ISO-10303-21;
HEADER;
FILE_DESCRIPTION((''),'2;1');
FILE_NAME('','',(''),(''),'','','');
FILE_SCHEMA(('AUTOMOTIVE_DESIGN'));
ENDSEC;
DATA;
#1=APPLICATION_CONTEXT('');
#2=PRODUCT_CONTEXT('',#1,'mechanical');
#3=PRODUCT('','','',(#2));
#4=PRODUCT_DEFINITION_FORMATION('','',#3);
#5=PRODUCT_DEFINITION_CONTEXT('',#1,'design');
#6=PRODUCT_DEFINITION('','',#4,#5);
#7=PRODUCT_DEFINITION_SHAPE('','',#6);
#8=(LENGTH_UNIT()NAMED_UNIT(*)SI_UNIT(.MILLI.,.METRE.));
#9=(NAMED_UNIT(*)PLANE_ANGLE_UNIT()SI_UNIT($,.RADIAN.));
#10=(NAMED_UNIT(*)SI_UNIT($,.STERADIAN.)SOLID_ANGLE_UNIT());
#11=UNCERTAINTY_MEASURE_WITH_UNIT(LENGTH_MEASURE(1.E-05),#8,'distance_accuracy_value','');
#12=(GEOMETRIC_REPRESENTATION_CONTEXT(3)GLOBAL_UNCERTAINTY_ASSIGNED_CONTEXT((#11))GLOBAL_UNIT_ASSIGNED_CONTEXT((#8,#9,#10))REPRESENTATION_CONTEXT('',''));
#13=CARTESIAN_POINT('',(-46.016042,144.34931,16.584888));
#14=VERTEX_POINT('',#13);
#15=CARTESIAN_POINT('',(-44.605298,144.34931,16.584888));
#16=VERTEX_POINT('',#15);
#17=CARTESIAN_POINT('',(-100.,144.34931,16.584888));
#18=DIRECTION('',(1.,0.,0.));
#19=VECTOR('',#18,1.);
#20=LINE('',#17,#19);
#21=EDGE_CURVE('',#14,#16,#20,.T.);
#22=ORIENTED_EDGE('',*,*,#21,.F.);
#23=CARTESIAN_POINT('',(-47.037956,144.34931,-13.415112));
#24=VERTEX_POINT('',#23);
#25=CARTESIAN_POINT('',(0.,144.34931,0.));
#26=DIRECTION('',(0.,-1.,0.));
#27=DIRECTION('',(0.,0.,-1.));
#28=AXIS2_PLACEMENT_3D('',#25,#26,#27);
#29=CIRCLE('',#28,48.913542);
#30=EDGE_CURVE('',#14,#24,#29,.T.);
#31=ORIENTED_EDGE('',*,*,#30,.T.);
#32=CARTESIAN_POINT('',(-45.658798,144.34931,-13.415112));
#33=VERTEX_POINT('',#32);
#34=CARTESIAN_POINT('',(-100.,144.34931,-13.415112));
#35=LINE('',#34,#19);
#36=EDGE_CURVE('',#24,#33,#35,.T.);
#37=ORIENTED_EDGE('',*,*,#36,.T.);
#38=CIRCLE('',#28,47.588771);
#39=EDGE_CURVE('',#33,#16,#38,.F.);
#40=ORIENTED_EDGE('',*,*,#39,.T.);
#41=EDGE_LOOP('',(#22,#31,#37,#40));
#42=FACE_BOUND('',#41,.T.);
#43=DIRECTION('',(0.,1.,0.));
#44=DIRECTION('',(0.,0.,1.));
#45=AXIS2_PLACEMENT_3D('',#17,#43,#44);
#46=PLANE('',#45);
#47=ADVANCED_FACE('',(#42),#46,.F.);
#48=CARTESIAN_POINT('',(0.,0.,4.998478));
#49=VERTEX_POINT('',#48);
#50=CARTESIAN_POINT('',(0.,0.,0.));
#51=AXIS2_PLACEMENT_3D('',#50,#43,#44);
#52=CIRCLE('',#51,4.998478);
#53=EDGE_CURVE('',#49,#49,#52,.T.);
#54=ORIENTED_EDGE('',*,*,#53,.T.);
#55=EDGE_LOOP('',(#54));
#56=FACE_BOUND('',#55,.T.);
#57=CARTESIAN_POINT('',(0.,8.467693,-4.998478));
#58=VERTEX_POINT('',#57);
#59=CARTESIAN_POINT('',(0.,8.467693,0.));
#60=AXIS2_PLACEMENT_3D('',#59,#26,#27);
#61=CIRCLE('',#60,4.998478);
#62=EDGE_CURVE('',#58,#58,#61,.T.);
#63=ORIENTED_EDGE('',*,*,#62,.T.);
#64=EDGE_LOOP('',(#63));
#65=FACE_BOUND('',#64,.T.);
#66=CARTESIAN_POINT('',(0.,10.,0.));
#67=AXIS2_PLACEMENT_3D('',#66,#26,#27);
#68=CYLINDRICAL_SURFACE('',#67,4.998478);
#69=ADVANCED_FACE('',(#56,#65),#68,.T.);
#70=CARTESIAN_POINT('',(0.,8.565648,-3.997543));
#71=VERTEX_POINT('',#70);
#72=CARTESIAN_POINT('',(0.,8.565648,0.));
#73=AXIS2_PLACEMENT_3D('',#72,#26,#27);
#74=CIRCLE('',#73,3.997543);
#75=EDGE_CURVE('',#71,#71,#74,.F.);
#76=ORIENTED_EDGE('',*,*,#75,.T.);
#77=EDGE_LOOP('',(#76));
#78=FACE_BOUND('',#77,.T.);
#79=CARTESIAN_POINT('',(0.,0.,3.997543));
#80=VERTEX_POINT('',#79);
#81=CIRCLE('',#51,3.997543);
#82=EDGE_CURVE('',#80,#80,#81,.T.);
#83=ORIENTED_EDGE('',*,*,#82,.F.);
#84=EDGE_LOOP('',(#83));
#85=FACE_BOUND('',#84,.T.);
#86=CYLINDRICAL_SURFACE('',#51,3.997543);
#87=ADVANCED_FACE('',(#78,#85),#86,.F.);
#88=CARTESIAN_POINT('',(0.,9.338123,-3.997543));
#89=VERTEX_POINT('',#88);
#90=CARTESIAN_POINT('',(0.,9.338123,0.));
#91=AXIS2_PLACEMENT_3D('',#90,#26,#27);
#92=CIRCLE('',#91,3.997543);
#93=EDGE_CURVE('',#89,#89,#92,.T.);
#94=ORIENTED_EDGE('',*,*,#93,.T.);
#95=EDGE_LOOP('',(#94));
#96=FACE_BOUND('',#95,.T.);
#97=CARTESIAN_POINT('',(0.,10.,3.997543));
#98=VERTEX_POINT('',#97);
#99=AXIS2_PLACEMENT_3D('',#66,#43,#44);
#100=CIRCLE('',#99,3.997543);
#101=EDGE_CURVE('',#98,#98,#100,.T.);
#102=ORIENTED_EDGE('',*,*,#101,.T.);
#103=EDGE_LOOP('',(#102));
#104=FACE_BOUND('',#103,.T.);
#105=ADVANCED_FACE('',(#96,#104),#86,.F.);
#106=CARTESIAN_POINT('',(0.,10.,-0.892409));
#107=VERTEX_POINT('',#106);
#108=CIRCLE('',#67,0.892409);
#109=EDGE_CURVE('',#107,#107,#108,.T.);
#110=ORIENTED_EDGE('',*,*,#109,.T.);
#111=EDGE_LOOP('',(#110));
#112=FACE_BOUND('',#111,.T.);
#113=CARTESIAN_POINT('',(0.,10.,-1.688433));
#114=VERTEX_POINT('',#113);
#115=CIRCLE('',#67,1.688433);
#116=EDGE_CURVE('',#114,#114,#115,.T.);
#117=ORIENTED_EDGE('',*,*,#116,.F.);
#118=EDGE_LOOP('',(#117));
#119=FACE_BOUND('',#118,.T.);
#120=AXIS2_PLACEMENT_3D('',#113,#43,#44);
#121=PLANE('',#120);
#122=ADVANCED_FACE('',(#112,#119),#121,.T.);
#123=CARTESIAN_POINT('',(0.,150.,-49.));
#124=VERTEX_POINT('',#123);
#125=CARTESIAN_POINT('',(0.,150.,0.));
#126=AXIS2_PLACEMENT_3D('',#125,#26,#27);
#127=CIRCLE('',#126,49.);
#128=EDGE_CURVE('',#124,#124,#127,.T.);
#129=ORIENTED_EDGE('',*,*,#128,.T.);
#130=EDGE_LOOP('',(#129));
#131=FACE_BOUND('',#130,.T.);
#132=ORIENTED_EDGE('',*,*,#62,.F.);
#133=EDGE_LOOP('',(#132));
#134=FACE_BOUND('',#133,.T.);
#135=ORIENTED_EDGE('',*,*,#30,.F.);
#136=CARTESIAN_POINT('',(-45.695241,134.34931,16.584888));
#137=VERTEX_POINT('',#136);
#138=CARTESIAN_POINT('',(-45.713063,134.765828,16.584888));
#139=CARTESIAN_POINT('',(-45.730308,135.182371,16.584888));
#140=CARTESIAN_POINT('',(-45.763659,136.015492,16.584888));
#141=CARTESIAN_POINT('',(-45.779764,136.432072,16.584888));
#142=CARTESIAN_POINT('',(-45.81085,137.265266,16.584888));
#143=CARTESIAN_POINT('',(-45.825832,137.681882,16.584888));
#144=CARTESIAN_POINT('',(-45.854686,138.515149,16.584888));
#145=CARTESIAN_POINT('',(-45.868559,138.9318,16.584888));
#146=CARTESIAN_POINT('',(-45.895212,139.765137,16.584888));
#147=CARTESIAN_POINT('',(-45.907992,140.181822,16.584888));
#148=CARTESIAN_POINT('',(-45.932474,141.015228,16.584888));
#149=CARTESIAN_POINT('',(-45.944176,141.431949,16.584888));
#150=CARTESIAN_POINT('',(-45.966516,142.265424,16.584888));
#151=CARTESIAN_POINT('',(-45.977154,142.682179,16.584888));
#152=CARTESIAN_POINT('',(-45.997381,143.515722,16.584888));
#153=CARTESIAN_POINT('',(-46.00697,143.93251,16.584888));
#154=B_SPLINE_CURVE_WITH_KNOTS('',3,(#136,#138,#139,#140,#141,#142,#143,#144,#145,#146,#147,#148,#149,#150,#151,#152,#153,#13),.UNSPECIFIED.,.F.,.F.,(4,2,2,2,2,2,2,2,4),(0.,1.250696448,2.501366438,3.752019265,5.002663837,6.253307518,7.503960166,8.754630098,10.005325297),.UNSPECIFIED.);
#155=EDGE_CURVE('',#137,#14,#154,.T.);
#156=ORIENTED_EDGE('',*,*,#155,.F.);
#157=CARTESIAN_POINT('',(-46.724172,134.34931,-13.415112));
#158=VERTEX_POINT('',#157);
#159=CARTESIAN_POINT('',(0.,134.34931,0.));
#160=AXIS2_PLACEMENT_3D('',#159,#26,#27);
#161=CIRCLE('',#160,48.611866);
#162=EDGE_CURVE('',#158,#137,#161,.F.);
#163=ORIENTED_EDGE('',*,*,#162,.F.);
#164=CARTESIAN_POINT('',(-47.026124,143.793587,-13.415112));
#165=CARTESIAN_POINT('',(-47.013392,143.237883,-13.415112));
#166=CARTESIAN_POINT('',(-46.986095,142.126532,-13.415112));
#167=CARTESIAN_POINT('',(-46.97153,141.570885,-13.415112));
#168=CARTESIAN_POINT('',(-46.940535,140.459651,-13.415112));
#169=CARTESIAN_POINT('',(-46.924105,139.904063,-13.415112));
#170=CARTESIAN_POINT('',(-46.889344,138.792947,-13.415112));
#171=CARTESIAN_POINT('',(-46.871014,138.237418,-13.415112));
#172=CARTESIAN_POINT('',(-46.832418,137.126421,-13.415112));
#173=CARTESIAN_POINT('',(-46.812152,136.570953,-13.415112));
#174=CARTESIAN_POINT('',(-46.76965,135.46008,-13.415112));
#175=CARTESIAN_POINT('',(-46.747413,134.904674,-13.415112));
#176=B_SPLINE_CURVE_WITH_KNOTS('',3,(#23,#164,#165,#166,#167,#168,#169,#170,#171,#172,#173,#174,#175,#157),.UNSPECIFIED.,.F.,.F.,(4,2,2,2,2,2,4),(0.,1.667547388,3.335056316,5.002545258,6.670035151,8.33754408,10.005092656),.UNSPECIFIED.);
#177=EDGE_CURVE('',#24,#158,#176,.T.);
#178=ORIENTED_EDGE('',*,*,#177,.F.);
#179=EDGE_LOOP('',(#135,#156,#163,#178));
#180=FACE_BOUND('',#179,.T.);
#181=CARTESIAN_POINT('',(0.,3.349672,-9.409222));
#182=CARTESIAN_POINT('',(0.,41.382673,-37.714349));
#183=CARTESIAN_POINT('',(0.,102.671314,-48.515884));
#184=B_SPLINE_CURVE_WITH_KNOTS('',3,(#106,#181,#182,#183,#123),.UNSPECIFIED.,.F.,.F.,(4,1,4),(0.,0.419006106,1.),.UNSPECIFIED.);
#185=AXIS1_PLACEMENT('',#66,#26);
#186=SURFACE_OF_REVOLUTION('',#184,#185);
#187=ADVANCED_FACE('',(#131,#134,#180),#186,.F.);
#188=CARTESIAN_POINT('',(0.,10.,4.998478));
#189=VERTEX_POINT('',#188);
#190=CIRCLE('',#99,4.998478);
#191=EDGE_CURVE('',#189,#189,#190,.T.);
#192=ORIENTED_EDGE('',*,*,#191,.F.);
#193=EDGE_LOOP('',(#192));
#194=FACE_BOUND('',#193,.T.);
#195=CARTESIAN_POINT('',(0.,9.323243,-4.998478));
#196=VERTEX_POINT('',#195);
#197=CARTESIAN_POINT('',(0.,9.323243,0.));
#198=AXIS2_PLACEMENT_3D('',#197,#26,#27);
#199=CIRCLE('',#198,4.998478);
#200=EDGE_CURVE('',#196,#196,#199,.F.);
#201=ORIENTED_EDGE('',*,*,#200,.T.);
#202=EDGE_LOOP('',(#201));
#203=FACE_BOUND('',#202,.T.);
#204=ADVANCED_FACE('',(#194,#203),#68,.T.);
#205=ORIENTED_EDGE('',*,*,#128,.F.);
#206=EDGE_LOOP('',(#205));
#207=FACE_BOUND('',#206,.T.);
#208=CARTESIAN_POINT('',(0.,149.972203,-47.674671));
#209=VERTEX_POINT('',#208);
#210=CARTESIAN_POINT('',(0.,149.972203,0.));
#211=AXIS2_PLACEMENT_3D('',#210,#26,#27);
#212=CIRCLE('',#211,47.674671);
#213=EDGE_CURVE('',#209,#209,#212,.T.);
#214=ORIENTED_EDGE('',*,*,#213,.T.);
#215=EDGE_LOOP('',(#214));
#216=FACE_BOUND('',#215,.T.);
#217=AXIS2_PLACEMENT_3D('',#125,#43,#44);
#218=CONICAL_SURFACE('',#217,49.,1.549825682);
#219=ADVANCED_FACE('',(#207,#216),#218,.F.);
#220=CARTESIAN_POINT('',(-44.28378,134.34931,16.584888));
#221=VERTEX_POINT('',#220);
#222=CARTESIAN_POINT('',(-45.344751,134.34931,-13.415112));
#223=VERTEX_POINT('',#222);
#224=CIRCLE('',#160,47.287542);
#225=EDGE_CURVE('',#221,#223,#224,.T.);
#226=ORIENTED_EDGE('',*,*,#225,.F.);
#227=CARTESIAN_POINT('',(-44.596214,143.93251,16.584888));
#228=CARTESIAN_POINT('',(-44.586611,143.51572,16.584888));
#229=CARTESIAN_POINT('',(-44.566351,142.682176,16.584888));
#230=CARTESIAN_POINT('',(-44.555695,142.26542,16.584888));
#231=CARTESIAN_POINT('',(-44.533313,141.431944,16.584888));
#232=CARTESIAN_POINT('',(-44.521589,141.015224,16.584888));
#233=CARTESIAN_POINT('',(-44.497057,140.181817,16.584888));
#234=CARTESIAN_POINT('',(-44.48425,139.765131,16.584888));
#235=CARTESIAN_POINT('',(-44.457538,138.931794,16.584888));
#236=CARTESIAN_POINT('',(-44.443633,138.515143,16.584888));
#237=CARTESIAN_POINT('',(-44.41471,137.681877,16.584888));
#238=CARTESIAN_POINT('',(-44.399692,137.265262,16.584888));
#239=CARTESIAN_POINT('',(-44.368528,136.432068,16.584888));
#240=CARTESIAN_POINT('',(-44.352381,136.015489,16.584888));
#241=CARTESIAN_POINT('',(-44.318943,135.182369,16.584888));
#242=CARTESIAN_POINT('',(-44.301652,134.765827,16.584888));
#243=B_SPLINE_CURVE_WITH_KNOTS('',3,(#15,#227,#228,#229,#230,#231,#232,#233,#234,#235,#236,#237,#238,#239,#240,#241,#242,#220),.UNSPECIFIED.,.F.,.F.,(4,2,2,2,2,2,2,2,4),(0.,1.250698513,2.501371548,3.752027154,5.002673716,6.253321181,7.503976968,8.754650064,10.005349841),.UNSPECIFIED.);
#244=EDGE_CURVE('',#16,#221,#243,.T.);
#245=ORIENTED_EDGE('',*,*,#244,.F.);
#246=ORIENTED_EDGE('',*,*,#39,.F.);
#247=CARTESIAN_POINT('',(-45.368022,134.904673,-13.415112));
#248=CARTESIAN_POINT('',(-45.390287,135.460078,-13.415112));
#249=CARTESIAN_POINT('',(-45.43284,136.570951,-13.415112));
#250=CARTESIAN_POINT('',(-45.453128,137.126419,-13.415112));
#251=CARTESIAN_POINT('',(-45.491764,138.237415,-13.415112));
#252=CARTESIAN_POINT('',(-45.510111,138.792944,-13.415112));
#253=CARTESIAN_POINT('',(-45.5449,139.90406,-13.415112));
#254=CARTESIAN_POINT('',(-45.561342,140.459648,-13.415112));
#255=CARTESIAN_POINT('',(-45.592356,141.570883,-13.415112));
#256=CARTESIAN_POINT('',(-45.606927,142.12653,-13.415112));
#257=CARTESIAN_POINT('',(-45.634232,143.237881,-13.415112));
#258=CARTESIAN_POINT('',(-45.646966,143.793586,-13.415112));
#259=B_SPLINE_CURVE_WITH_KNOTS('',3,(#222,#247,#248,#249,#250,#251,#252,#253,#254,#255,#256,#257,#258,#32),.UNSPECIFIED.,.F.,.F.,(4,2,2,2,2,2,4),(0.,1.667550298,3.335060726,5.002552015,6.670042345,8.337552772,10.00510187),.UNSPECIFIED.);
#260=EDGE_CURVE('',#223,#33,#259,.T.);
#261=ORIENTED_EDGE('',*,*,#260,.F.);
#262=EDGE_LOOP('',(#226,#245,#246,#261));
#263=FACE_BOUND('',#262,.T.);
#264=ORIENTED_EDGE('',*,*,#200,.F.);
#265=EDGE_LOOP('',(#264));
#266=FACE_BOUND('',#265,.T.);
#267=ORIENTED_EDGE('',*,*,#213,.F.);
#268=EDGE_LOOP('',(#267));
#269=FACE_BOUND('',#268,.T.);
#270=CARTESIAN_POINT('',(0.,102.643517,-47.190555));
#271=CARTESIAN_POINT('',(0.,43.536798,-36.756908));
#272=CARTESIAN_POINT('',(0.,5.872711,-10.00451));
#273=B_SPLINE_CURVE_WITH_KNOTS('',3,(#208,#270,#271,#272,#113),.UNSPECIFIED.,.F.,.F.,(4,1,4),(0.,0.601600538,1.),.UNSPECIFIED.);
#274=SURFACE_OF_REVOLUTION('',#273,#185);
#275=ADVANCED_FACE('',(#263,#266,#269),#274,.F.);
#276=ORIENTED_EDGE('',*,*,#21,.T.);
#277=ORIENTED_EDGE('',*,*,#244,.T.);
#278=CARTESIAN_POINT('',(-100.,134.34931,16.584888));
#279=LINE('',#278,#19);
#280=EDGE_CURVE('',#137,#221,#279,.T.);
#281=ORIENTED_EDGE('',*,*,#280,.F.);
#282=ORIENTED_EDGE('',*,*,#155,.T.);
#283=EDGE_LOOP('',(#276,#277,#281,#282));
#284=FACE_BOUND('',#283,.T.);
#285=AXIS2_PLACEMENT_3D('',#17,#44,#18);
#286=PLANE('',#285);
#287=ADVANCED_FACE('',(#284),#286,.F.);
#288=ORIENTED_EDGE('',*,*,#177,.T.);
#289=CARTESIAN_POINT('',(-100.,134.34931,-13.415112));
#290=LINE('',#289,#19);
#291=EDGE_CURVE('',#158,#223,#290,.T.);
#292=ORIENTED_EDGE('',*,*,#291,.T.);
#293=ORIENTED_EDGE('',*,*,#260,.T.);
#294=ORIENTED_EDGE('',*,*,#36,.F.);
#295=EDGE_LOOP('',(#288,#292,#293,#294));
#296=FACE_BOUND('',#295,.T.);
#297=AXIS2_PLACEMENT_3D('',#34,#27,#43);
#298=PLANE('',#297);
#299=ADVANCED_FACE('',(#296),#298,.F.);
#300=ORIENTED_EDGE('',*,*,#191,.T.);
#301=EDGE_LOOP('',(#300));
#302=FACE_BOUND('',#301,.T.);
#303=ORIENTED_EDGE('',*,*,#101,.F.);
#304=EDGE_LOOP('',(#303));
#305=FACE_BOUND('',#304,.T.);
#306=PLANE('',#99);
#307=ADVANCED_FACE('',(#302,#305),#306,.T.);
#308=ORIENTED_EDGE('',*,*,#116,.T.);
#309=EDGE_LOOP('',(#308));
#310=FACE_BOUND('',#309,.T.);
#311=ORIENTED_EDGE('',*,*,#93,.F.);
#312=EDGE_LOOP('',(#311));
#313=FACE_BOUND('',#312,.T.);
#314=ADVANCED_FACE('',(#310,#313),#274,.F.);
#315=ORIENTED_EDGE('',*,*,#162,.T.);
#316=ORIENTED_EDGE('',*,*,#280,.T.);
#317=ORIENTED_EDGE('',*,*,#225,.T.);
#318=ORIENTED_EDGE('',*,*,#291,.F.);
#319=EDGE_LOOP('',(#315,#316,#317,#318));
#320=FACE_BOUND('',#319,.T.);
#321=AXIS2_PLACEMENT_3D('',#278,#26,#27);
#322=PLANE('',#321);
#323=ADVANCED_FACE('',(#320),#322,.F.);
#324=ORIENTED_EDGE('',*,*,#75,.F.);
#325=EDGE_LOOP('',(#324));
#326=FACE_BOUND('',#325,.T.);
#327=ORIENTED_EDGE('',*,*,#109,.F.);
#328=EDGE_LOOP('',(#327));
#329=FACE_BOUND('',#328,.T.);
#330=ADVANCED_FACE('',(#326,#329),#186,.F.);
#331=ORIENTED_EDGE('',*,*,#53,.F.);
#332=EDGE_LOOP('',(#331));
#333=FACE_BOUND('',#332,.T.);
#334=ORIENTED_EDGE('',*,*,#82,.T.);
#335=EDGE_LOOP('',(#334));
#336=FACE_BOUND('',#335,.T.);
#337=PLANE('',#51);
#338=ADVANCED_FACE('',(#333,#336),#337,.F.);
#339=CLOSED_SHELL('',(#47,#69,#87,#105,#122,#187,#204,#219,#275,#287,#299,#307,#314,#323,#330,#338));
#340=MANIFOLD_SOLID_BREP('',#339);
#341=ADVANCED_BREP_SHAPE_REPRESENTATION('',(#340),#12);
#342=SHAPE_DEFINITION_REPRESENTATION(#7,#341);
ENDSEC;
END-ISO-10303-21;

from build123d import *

# Parameters (mm, degrees)
SKETCH1_R           = 4.998477961
BOSS_EXTRUDE1_DEPTH = 10
SKETCH3_R           = 3.997542974
CUT_EXTRUDE2_DEPTH  = 10
SKETCH5_W           = 30
SKETCH5_H           = 10
CUT_EXTRUDE3_DEPTH  = 100


with BuildPart() as part:
    # Sketch1 → Boss-Extrude1 (new body)
    with BuildSketch(Plane(origin=(0, 0, 0), x_dir=(1, 0, 0), z_dir=(0, 1, 0))):
        with Locations(Location((0, 0, 0), (0, 0, 270))):
            Circle(SKETCH1_R)
    extrude(amount=BOSS_EXTRUDE1_DEPTH)

    # Sketch3 → Cut-Extrude2 (cut)
    with BuildSketch(Plane(origin=(0, 10, 0), x_dir=(1, 0, 0), z_dir=(0, 1, 0))):
        with Locations(Location((0, 0, 0), (0, 0, 270))):
            Circle(SKETCH3_R)
    extrude(amount=-CUT_EXTRUDE2_DEPTH, mode=Mode.SUBTRACT)

    # Sketch4 → Revolve4 (revolve)
    with BuildSketch(Plane(origin=(0, 0, 0), x_dir=(0, 0, -1), z_dir=(1, 0, 0))):
        with BuildLine():
            Line((1.688432562, 10), (0.892408722, 10))
            add(Edge.make_bspline(
                [(0.892408722, 10), (9.409222495, 3.349671641), (37.714348692, 41.382673141), (48.515883525, 102.671314041), (49, 150)],
                knots=[0, 0, 0, 0, 0.419006106, 1, 1, 1, 1], degree=3))
            Line((49, 150), (47.674671081, 149.972202923))
            add(Edge.make_bspline(
                [(1.688432562, 10), (10.004510378, 5.872710682), (36.756908089, 43.536797773), (47.190554606, 102.643516964), (47.674671081, 149.972202923)],
                knots=[0, 0, 0, 0, 0.398399462, 1, 1, 1, 1], degree=3))
        make_face()
    revolve(axis=Axis((0, 10, 0), (0, 1, 0)))

    # Sketch5 → Cut-Extrude3 (cut)
    with BuildSketch(Plane(origin=(0, 0, 0), x_dir=(0, 0, -1), z_dir=(1, 0, 0))):
        with Locations((-1.584887535, 139.349310202)):
            Rectangle(SKETCH5_W, SKETCH5_H)
    extrude(amount=-CUT_EXTRUDE3_DEPTH, mode=Mode.SUBTRACT)


solid = part.part
